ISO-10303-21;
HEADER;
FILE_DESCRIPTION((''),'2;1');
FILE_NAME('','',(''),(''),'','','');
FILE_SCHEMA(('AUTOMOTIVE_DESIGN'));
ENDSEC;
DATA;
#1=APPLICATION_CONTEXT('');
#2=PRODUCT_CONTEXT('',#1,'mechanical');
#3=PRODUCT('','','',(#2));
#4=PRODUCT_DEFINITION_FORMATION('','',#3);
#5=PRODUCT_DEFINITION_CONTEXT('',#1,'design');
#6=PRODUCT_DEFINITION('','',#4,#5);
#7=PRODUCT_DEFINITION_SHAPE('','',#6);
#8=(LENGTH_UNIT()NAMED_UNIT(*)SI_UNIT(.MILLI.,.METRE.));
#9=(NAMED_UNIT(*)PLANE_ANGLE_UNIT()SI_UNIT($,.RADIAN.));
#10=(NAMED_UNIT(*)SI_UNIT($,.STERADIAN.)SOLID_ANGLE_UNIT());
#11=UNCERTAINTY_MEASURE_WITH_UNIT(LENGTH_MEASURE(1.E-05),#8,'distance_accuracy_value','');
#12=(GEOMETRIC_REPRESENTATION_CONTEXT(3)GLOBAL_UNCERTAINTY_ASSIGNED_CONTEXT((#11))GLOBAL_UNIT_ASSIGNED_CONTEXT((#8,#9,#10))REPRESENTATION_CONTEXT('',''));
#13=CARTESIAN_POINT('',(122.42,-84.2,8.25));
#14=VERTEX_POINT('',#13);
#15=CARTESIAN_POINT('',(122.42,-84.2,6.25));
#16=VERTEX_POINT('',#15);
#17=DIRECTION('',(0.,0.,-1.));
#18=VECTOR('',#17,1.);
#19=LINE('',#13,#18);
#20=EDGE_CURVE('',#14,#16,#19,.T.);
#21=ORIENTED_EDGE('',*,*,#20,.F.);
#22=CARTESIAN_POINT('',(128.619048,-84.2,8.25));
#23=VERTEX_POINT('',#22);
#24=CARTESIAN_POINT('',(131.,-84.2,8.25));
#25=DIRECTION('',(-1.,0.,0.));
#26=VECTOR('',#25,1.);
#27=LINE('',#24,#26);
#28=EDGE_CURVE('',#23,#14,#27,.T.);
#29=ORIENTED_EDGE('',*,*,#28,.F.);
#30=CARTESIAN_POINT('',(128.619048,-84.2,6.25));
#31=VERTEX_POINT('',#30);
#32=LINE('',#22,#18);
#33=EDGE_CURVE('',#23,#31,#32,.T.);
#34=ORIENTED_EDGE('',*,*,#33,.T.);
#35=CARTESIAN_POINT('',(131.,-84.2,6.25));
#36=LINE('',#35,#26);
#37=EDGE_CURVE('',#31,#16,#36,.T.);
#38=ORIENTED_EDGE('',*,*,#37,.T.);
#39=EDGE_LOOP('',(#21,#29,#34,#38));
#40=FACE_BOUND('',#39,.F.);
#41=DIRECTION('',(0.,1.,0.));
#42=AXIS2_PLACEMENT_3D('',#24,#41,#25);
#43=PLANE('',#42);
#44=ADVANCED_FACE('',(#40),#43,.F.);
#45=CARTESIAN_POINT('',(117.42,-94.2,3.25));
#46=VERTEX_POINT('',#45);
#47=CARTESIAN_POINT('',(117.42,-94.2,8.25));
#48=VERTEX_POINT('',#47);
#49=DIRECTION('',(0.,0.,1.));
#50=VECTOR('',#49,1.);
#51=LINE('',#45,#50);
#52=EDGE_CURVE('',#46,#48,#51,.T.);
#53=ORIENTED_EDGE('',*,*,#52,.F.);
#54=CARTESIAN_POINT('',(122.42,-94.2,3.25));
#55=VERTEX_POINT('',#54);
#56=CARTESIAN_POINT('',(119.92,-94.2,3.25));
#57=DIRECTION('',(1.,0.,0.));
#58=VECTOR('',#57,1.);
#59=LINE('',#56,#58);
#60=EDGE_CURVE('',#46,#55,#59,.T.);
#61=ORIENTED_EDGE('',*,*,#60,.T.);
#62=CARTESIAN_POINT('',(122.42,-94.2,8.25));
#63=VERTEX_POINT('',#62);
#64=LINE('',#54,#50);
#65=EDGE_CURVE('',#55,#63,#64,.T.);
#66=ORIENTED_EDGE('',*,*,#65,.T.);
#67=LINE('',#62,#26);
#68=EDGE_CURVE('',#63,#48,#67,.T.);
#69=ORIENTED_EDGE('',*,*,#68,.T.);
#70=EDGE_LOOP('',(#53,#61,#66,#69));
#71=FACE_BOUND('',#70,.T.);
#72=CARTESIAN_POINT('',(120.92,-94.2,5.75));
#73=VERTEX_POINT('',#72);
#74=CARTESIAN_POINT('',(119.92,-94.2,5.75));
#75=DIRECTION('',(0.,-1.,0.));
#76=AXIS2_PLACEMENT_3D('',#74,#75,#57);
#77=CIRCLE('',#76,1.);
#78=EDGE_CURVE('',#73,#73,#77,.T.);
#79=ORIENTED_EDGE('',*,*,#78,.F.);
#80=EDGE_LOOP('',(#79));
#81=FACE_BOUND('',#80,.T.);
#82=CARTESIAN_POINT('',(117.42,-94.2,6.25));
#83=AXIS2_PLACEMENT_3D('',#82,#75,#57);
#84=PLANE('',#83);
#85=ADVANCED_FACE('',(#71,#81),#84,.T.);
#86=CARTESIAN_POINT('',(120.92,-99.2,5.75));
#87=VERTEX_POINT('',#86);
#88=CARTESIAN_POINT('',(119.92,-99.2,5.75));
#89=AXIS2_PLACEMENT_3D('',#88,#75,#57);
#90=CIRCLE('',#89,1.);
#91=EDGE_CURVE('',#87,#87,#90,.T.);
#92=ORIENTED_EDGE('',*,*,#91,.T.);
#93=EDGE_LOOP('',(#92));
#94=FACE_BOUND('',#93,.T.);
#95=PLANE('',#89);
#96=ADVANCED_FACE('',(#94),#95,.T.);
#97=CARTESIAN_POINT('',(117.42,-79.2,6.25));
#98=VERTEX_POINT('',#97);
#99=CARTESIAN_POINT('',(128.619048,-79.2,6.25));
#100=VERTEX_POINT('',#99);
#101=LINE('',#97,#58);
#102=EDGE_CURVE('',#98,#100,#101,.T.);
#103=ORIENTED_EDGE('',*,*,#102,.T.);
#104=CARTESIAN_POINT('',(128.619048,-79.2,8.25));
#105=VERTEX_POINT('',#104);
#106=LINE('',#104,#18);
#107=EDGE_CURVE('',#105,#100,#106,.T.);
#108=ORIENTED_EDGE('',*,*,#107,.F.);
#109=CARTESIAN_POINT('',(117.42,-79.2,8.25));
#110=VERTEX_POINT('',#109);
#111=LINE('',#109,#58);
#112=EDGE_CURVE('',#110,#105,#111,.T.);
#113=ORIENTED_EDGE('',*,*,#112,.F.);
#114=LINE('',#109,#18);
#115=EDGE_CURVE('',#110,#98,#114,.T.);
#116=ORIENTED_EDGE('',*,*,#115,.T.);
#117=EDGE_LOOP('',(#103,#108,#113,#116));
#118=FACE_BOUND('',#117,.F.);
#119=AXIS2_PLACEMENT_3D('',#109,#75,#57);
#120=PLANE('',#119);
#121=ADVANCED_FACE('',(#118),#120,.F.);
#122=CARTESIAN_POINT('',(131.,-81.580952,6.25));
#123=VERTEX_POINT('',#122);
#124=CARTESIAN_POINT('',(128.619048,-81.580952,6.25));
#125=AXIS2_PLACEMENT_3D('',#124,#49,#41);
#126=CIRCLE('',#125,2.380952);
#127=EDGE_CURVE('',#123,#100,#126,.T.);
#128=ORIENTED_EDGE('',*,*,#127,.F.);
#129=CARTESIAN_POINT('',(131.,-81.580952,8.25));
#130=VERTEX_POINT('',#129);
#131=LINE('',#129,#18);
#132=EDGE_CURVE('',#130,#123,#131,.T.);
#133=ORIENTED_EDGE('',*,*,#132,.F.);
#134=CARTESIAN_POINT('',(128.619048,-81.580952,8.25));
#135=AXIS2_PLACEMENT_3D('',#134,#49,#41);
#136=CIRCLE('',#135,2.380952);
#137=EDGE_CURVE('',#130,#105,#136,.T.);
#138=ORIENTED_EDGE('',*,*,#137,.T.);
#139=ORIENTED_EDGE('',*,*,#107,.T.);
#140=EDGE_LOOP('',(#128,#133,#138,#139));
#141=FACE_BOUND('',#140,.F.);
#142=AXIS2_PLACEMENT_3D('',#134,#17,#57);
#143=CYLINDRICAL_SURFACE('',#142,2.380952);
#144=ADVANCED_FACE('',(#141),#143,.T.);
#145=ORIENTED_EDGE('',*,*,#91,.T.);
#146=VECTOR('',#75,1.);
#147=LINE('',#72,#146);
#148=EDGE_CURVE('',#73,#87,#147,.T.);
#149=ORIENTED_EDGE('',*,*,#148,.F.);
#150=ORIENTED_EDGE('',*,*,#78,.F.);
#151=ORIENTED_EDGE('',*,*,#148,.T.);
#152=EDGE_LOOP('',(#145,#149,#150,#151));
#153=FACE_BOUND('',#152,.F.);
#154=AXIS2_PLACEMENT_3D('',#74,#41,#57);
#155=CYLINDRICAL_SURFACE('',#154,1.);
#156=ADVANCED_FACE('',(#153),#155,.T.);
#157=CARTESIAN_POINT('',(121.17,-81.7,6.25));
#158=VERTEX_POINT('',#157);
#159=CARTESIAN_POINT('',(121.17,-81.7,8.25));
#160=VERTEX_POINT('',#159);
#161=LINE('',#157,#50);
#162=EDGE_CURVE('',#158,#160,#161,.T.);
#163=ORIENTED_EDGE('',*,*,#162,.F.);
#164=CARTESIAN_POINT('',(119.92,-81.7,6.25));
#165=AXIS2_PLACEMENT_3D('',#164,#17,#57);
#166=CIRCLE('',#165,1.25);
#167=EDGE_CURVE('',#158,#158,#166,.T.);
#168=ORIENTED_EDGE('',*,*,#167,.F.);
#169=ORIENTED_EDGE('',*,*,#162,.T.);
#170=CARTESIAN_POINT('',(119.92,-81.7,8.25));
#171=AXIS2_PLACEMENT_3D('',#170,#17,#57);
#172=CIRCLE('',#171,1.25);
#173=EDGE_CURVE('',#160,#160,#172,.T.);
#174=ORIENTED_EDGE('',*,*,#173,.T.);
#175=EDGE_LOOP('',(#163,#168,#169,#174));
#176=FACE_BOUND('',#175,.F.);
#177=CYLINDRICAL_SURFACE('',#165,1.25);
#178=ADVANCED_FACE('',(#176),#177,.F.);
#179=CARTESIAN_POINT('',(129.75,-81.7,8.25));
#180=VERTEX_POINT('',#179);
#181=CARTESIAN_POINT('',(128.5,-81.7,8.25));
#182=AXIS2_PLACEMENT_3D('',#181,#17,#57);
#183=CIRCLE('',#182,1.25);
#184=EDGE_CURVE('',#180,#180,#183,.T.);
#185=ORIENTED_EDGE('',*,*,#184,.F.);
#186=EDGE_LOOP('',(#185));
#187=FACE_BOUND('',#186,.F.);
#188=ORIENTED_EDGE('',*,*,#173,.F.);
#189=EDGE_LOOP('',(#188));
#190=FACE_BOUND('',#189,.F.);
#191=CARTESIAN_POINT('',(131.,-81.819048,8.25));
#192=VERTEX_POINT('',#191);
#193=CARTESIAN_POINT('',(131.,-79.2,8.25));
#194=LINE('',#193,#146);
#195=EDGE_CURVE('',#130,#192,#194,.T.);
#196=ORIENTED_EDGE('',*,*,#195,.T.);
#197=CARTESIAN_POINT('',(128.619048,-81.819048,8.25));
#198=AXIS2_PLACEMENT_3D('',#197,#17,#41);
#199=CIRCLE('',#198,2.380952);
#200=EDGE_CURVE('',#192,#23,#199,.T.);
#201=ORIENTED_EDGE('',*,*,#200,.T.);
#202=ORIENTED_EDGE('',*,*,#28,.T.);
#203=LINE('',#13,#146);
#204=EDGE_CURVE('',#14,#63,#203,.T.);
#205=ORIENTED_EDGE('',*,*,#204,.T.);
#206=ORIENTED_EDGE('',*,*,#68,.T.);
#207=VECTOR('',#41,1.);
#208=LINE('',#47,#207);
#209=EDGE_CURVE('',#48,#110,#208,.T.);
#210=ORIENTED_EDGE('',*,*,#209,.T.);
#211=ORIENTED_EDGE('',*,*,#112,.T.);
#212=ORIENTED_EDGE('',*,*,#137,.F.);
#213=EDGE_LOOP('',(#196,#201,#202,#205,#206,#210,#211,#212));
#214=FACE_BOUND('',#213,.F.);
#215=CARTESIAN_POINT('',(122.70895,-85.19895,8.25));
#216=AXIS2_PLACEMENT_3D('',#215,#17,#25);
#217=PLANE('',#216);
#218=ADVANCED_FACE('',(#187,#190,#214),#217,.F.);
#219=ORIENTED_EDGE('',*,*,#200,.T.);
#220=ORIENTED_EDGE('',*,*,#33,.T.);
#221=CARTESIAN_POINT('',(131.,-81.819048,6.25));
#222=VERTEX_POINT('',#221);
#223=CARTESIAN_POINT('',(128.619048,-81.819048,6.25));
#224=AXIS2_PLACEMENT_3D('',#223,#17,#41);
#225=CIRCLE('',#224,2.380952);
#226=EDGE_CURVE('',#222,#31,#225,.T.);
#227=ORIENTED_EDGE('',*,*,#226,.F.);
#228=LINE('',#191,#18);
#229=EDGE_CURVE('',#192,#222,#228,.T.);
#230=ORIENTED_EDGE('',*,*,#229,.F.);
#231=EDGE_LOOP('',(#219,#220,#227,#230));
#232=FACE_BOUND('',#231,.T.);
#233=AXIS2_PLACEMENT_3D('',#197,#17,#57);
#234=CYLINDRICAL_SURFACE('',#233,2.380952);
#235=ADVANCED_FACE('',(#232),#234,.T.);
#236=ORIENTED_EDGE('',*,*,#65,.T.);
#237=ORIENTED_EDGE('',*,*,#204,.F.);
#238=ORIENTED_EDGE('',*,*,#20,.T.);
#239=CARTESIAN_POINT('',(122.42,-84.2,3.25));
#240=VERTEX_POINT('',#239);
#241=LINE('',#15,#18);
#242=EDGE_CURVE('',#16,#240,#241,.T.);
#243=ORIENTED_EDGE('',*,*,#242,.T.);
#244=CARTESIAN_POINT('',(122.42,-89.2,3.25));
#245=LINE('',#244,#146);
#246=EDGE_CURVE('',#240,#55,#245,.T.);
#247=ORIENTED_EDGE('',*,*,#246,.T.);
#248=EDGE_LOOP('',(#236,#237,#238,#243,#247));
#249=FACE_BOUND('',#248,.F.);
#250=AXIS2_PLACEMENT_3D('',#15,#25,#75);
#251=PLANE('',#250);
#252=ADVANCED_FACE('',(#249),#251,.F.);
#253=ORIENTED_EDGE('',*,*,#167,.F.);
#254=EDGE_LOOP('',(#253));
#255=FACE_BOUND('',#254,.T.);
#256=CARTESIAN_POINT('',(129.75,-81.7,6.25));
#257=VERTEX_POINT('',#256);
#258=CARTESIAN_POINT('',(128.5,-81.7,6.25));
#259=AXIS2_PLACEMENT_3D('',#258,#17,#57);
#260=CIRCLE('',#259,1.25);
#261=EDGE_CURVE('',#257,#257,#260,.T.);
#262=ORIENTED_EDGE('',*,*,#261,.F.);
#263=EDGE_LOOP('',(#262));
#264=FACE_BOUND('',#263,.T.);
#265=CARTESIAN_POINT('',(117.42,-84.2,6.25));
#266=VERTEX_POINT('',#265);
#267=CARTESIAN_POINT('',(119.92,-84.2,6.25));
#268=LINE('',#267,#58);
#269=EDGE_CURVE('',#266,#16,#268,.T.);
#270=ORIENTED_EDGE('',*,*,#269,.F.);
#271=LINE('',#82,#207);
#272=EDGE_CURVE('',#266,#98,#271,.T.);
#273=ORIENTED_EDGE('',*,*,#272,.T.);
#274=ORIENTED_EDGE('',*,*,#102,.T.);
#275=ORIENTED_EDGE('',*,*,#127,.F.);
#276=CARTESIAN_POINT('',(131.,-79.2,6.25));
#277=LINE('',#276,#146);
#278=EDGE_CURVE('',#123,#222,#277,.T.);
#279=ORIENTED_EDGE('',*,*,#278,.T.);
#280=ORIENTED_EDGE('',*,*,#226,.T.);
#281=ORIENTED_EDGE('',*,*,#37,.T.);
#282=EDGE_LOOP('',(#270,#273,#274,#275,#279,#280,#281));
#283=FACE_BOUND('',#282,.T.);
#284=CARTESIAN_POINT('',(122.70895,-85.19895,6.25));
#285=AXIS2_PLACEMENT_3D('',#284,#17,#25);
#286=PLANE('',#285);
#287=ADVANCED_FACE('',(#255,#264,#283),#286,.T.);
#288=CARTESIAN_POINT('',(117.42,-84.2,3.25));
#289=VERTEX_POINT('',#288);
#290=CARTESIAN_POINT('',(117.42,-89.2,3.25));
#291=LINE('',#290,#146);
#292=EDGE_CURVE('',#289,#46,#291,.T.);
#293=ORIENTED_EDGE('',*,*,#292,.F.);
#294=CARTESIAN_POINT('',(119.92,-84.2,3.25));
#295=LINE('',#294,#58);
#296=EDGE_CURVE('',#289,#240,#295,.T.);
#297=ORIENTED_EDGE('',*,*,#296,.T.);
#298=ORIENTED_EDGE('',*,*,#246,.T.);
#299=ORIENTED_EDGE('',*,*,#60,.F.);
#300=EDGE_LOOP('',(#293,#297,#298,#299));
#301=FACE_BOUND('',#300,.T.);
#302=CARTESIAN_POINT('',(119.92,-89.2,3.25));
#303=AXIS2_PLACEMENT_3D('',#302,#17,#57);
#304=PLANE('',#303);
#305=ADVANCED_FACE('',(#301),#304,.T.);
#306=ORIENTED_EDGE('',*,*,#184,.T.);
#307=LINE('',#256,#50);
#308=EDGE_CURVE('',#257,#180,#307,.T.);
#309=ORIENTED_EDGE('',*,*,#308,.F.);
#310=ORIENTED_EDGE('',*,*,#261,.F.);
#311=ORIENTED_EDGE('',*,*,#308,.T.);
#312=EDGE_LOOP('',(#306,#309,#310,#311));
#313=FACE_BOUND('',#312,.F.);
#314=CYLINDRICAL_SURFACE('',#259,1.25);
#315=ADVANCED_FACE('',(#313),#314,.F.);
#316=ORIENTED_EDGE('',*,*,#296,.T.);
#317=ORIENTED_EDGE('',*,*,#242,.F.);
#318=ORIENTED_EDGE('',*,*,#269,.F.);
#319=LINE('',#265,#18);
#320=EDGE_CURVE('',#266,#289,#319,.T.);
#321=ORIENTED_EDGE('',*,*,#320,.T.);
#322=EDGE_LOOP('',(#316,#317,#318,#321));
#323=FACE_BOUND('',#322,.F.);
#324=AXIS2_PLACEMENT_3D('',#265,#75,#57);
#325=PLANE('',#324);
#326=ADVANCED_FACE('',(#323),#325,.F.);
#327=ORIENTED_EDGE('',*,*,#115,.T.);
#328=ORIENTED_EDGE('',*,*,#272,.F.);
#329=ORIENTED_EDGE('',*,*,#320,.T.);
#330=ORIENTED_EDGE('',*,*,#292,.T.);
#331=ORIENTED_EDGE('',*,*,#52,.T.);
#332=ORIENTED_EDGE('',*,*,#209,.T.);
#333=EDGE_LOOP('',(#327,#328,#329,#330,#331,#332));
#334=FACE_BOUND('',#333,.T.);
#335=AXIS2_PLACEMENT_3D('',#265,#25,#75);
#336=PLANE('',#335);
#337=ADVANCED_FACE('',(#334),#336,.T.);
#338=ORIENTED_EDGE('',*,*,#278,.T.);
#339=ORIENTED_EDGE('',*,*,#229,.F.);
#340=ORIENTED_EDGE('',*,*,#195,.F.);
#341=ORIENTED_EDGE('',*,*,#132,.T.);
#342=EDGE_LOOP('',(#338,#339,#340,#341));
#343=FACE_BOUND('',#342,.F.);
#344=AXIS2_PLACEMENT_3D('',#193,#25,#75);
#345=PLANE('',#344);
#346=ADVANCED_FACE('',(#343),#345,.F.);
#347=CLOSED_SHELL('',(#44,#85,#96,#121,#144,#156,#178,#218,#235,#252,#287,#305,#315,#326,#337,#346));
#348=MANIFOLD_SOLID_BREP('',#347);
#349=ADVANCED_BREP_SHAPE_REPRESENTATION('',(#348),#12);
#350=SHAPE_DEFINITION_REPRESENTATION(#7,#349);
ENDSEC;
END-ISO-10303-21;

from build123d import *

# Parameters (mm, degrees)
PAD030_DEPTH    = 2
SKETCH055_R     = 1.25
POCKET015_DEPTH = 2
FILLET004_R     = 2.380952
SKETCH056_W     = 5
SKETCH056_H     = 10
PAD031_DEPTH    = 3
SKETCH057_R     = 1
PAD032_DEPTH    = 5


with BuildPart() as part:
    # Sketch054 → Pad030 (new body)
    with BuildSketch(Plane.XY):
        Polygon((11.08, 6.9), (11.08, 1.9), (2.5, 1.9), (2.5, -8.1), (-2.5, -8.1), (-2.5, 6.9), align=None)
    extrude(amount=-PAD030_DEPTH)

    # Sketch055 (on Face8 of Pad030) → Pocket015 (cut)
    with BuildSketch(Plane(origin=(0, 0, -2), x_dir=(1, 0, 0), z_dir=(0, 0, -1))):
        with Locations((0, -4.4)):
            Circle(SKETCH055_R)
        with Locations((8.58, -4.4)):
            Circle(SKETCH055_R)
    extrude(amount=-POCKET015_DEPTH, mode=Mode.SUBTRACT)

    # Fillet004
    fillet004_edges = [part.edges().sort_by_distance(p)[0] for p in [
        (11.08, 1.9, -1),
        (11.08, 6.9, -1),
    ]]
    fillet(fillet004_edges, radius=FILLET004_R)

    # Sketch056 (on Face5 of Fillet004) → Pad031 (join)
    with BuildSketch(Plane(origin=(0, 0, -2), x_dir=(1, 0, 0), z_dir=(0, 0, -1))):
        with Locations((0, 3.1)):
            Rectangle(SKETCH056_W, SKETCH056_H)
    extrude(amount=PAD031_DEPTH)

    # Sketch057 (on Face16 of Pad031) → Pad032 (join)
    with BuildSketch(Plane.XZ.offset(8.1)):
        with Locations((0, -2.5)):
            Circle(SKETCH057_R)
    extrude(amount=PAD032_DEPTH)


with BuildPart() as part_1:
    # Body012 placement: moved
    add(part.part.moved(Location((119.92, -86.1, 8.25))))


solid = part_1.part
